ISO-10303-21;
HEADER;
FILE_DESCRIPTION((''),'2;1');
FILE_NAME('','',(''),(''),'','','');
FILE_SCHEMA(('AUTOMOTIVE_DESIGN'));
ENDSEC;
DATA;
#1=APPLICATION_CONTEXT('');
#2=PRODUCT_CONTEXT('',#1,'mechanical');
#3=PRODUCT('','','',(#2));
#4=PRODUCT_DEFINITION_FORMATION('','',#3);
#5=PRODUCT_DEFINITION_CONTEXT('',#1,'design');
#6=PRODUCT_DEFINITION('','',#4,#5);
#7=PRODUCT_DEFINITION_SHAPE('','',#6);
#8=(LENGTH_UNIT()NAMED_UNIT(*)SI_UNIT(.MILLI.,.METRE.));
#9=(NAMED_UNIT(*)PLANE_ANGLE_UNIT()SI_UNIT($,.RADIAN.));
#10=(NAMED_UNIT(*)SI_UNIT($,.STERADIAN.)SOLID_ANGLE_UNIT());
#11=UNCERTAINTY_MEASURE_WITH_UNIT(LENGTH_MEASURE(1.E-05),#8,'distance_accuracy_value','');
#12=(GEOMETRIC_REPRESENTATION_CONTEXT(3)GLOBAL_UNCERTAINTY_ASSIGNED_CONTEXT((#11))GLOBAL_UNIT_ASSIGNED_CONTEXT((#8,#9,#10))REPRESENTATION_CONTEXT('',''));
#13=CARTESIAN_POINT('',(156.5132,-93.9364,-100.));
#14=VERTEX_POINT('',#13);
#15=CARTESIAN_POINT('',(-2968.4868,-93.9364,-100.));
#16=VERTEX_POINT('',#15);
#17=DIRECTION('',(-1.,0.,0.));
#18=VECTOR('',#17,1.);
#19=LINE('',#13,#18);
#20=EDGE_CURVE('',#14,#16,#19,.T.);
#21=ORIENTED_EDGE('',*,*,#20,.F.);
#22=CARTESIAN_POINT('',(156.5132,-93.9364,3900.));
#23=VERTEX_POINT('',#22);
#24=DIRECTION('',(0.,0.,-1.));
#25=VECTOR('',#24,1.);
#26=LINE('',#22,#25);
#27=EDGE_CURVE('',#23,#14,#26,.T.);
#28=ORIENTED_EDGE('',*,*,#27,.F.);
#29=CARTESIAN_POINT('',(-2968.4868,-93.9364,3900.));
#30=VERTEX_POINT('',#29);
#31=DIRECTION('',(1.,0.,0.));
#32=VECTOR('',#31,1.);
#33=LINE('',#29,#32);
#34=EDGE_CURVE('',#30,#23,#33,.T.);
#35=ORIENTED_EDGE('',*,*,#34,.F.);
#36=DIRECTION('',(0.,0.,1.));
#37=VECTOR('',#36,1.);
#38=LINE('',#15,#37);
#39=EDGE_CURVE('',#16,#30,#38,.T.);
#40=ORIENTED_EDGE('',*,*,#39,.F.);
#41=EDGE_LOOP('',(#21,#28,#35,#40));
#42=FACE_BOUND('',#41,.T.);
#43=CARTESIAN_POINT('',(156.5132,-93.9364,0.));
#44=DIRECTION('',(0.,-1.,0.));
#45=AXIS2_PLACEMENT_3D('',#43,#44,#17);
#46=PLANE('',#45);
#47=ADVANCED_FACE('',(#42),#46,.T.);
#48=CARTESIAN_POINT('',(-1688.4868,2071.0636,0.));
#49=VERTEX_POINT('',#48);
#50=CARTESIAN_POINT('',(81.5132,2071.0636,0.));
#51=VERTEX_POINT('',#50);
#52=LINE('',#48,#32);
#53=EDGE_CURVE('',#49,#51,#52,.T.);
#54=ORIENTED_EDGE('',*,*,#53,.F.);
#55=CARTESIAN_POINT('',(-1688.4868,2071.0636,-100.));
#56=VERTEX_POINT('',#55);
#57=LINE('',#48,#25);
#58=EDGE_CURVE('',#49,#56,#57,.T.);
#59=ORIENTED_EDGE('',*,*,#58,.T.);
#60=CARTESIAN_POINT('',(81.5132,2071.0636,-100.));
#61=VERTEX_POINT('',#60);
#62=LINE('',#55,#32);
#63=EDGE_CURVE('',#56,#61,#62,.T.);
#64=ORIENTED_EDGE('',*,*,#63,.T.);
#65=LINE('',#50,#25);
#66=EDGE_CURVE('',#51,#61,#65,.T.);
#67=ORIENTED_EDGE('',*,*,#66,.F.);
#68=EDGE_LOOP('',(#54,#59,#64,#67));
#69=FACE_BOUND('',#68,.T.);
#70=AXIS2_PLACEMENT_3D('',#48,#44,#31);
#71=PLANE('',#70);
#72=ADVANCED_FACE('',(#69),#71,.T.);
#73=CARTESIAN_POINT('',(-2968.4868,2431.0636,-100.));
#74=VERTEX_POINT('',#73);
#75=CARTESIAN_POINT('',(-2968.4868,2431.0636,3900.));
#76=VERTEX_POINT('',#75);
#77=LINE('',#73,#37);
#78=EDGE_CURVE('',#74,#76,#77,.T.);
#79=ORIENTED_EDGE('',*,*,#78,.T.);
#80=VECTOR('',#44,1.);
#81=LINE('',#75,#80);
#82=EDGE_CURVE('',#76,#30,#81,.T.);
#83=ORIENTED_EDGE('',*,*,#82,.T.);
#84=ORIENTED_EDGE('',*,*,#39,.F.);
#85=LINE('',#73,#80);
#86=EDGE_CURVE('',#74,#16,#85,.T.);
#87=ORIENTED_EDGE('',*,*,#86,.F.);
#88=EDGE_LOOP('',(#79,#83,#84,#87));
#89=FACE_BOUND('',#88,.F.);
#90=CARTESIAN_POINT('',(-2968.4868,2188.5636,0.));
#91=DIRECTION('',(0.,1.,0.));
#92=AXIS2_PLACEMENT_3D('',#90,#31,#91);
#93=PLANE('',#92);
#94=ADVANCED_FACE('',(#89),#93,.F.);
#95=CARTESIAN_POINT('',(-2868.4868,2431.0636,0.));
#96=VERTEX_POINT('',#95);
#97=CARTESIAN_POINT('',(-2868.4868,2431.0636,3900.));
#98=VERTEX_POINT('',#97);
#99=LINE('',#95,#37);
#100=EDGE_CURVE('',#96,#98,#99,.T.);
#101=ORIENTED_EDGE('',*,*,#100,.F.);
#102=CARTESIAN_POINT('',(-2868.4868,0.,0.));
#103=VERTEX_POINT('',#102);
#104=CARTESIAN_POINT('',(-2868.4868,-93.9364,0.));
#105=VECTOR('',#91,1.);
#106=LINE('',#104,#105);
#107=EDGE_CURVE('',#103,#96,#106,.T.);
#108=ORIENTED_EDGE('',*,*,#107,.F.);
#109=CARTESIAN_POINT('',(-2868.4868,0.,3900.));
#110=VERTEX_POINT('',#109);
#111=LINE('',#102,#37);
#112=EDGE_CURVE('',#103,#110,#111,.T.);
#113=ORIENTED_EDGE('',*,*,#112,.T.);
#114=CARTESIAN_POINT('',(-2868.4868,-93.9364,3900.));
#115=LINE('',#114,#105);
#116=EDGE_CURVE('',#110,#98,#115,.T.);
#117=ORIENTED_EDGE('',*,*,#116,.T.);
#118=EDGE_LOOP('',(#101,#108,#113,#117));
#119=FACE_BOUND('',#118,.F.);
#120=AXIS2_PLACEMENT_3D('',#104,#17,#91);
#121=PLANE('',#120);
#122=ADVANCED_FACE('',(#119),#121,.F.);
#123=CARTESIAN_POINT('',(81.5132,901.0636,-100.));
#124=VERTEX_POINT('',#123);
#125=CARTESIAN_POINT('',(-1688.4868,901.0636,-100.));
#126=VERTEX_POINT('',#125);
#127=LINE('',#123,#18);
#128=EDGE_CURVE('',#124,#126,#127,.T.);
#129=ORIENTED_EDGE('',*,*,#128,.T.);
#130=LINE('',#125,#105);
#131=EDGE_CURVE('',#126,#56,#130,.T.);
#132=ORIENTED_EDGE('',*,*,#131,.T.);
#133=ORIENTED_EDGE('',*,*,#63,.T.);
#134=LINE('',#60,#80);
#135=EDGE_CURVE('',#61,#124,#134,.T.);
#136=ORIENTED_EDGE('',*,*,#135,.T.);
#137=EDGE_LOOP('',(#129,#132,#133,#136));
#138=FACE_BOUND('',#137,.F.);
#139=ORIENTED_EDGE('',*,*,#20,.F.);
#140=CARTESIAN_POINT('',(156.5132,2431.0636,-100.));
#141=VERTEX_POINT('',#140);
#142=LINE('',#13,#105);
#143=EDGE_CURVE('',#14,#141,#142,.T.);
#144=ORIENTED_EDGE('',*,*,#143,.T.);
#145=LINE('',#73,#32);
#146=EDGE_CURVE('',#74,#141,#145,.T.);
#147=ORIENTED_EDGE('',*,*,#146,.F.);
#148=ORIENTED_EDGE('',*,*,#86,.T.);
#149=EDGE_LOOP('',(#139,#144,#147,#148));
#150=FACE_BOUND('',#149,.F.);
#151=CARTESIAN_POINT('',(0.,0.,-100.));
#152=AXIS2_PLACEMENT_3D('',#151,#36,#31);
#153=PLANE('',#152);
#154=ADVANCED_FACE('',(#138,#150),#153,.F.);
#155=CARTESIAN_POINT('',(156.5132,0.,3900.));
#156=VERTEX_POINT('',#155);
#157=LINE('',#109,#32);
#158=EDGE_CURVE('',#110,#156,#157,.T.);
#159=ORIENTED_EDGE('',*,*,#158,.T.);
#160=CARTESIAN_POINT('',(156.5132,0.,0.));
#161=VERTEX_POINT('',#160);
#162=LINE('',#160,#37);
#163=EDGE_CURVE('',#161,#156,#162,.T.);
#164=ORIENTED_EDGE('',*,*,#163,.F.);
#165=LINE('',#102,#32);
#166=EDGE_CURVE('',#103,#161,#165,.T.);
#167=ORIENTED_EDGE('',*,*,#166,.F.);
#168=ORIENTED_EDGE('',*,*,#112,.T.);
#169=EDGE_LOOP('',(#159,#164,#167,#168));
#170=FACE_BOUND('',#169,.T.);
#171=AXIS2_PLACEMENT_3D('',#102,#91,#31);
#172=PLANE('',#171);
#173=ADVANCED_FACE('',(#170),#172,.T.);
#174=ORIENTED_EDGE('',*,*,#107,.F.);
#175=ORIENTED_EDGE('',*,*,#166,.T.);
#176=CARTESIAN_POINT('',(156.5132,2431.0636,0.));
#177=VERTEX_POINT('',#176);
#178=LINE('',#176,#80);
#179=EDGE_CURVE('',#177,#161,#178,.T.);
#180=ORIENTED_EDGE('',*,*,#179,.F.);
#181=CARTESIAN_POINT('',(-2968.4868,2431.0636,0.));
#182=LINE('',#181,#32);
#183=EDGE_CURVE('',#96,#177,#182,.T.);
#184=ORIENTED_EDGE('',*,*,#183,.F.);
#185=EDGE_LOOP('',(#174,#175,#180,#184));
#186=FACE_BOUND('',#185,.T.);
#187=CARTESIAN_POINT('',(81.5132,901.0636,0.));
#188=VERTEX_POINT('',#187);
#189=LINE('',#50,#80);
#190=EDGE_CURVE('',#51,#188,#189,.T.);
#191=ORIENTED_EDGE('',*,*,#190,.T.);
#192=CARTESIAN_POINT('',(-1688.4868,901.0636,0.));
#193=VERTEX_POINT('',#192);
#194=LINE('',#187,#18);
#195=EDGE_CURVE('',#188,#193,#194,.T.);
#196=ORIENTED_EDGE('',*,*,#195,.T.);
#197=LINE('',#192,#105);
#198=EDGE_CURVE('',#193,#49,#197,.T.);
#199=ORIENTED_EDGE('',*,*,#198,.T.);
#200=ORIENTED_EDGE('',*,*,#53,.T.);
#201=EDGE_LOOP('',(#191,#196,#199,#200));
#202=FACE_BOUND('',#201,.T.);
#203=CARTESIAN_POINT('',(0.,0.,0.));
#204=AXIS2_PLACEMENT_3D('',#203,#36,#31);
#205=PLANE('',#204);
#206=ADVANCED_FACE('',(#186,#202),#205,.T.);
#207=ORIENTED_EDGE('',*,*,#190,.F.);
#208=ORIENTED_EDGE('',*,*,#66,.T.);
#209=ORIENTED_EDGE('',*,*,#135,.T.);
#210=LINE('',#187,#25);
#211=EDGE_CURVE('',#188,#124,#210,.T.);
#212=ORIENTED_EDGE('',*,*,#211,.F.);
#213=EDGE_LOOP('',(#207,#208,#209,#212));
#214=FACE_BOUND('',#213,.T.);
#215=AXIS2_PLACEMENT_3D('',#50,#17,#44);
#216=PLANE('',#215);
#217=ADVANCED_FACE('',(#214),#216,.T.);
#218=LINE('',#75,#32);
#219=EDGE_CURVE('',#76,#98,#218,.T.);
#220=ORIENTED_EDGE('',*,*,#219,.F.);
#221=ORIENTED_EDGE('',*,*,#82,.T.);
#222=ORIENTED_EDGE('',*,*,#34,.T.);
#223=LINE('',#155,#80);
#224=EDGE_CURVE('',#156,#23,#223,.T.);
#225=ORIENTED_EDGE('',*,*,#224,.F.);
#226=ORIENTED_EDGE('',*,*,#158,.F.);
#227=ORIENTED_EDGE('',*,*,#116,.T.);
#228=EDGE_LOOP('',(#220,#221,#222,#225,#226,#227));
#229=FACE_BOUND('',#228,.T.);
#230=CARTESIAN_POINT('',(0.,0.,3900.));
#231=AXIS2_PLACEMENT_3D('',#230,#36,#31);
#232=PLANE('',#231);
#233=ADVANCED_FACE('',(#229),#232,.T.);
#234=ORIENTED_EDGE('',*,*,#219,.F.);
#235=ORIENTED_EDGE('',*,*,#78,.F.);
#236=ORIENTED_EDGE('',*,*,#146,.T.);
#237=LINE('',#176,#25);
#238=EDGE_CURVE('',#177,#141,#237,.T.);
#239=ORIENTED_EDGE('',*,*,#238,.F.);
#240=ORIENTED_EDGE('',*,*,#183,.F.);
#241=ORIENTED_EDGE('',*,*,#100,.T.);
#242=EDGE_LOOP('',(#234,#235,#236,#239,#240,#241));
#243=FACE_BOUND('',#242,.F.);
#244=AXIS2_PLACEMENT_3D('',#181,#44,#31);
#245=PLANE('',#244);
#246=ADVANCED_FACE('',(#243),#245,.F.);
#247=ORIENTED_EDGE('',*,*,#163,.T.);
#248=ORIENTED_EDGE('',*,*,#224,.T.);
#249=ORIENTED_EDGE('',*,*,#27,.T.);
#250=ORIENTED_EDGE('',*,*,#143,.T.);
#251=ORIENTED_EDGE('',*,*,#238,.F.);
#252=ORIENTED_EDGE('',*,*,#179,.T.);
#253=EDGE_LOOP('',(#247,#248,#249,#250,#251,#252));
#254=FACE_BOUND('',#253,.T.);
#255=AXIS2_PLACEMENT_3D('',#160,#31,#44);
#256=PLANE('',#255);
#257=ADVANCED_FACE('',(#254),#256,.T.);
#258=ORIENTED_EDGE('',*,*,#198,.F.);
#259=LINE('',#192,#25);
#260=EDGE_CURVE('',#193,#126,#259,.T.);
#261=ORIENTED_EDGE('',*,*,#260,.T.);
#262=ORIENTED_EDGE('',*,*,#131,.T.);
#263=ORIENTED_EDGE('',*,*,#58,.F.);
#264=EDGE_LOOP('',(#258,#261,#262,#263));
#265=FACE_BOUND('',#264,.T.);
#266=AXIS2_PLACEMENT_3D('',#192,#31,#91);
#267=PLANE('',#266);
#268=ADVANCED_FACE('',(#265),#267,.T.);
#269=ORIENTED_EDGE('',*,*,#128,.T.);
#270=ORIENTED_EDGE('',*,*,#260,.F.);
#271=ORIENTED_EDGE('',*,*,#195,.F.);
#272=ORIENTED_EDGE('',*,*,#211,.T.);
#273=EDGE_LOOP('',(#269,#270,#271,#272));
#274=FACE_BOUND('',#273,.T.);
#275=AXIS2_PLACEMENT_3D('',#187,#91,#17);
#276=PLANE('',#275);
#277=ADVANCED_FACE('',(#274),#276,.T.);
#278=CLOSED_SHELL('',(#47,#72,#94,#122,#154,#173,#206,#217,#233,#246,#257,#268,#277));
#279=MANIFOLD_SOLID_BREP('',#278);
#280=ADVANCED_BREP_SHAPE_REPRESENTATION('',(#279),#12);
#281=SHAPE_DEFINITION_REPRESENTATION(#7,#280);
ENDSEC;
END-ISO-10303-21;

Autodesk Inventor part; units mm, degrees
ref_plane "YZ Plane" through (0, 0, 0) normal (1, 0, 0) x (0, 1, 0)
ref_plane "XZ Plane" through (0, 0, 0) normal (0, 1, 0) x (-1, 0, 0)
ref_plane "XY Plane" through (0, 0, 0) normal (0, 0, 1) x (1, 0, 0)
sketch "草图1" plane through (0, 0, 0) normal (0, 0, 1) x (1, 0, 0)
  line L0 (-2968.4868, 2431.0636) -> (156.5132, 2431.0636)
  line L1 (156.5132, 2431.0636) -> (156.5132, -93.9364)
  line L2 (156.5132, -93.9364) -> (-2968.4868, -93.9364)
  line L3 (-2968.4868, -93.9364) -> (-2968.4868, 2431.0636)
  line L4 (-1688.4868, 2071.0636) -> (81.5132, 2071.0636)
  line L5 (81.5132, 2071.0636) -> (81.5132, 901.0636)
  line L6 (81.5132, 901.0636) -> (-1688.4868, 901.0636)
  line L7 (-1688.4868, 901.0636) -> (-1688.4868, 2071.0636)
  line L8 (-2968.4868, 2188.5636) -> (-2968.4868, 2431.0636)
  line L9 (-2968.4868, -93.9364) -> (156.5132, -93.9364)
  line L10 (156.5132, -93.9364) -> (156.5132, -83.9364)
  line L11 (-2968.4868, -83.9364) -> (-2968.4868, -93.9364)
  point P0 (0, 0)
  dimension "d0" = 3125
  dimension "d1" = 2525
  dimension "d2" = 360
  dimension "d3" = 75
  dimension "d4" = 1770
  dimension "d5" = 1170
extrude "拉伸1" add sketch "草图1" against normal blind 100
sketch "草图3" plane through (0, 0, 0) normal (0, 0, 1) x (1, 0, 0)
  line L0 (-2968.4868, 2431.0636) -> (156.5132, 2431.0636) projected
  line L1 (-2868.4868, 2431.0636) -> (-2968.4868, 2431.0636)
  line L2 (-2968.4868, 2431.0636) -> (-2968.4868, -93.9364)
  line L3 (-2968.4868, -93.9364) -> (-2868.4868, -93.9364)
  line L4 (-2868.4868, -93.9364) -> (-2868.4868, 2431.0636)
  point P0 (0, 0)
  dimension "d16" = 100
extrude "拉伸2" add sketch "草图3" along normal blind 3900
sketch "草图4" plane through (0, 0, 0) normal (0, 0, 1) x (1, 0, 0)
  line L0 (-2868.4868, 2431.0636) -> (-2868.4868, -93.9364) projected
  line L1 (156.5132, -93.9364) -> (-2868.4868, -93.9364)
  line L2 (-2868.4868, -93.9364) -> (-2868.4868, 0)
  line L3 (-2868.4868, 0) -> (156.5132, 0)
  line L4 (156.5132, 0) -> (156.5132, -93.9364)
  point P0 (0, 0)
extrude "拉伸3" add sketch "草图4" along normal blind 3900
properties part number "RoomEnvironment"
